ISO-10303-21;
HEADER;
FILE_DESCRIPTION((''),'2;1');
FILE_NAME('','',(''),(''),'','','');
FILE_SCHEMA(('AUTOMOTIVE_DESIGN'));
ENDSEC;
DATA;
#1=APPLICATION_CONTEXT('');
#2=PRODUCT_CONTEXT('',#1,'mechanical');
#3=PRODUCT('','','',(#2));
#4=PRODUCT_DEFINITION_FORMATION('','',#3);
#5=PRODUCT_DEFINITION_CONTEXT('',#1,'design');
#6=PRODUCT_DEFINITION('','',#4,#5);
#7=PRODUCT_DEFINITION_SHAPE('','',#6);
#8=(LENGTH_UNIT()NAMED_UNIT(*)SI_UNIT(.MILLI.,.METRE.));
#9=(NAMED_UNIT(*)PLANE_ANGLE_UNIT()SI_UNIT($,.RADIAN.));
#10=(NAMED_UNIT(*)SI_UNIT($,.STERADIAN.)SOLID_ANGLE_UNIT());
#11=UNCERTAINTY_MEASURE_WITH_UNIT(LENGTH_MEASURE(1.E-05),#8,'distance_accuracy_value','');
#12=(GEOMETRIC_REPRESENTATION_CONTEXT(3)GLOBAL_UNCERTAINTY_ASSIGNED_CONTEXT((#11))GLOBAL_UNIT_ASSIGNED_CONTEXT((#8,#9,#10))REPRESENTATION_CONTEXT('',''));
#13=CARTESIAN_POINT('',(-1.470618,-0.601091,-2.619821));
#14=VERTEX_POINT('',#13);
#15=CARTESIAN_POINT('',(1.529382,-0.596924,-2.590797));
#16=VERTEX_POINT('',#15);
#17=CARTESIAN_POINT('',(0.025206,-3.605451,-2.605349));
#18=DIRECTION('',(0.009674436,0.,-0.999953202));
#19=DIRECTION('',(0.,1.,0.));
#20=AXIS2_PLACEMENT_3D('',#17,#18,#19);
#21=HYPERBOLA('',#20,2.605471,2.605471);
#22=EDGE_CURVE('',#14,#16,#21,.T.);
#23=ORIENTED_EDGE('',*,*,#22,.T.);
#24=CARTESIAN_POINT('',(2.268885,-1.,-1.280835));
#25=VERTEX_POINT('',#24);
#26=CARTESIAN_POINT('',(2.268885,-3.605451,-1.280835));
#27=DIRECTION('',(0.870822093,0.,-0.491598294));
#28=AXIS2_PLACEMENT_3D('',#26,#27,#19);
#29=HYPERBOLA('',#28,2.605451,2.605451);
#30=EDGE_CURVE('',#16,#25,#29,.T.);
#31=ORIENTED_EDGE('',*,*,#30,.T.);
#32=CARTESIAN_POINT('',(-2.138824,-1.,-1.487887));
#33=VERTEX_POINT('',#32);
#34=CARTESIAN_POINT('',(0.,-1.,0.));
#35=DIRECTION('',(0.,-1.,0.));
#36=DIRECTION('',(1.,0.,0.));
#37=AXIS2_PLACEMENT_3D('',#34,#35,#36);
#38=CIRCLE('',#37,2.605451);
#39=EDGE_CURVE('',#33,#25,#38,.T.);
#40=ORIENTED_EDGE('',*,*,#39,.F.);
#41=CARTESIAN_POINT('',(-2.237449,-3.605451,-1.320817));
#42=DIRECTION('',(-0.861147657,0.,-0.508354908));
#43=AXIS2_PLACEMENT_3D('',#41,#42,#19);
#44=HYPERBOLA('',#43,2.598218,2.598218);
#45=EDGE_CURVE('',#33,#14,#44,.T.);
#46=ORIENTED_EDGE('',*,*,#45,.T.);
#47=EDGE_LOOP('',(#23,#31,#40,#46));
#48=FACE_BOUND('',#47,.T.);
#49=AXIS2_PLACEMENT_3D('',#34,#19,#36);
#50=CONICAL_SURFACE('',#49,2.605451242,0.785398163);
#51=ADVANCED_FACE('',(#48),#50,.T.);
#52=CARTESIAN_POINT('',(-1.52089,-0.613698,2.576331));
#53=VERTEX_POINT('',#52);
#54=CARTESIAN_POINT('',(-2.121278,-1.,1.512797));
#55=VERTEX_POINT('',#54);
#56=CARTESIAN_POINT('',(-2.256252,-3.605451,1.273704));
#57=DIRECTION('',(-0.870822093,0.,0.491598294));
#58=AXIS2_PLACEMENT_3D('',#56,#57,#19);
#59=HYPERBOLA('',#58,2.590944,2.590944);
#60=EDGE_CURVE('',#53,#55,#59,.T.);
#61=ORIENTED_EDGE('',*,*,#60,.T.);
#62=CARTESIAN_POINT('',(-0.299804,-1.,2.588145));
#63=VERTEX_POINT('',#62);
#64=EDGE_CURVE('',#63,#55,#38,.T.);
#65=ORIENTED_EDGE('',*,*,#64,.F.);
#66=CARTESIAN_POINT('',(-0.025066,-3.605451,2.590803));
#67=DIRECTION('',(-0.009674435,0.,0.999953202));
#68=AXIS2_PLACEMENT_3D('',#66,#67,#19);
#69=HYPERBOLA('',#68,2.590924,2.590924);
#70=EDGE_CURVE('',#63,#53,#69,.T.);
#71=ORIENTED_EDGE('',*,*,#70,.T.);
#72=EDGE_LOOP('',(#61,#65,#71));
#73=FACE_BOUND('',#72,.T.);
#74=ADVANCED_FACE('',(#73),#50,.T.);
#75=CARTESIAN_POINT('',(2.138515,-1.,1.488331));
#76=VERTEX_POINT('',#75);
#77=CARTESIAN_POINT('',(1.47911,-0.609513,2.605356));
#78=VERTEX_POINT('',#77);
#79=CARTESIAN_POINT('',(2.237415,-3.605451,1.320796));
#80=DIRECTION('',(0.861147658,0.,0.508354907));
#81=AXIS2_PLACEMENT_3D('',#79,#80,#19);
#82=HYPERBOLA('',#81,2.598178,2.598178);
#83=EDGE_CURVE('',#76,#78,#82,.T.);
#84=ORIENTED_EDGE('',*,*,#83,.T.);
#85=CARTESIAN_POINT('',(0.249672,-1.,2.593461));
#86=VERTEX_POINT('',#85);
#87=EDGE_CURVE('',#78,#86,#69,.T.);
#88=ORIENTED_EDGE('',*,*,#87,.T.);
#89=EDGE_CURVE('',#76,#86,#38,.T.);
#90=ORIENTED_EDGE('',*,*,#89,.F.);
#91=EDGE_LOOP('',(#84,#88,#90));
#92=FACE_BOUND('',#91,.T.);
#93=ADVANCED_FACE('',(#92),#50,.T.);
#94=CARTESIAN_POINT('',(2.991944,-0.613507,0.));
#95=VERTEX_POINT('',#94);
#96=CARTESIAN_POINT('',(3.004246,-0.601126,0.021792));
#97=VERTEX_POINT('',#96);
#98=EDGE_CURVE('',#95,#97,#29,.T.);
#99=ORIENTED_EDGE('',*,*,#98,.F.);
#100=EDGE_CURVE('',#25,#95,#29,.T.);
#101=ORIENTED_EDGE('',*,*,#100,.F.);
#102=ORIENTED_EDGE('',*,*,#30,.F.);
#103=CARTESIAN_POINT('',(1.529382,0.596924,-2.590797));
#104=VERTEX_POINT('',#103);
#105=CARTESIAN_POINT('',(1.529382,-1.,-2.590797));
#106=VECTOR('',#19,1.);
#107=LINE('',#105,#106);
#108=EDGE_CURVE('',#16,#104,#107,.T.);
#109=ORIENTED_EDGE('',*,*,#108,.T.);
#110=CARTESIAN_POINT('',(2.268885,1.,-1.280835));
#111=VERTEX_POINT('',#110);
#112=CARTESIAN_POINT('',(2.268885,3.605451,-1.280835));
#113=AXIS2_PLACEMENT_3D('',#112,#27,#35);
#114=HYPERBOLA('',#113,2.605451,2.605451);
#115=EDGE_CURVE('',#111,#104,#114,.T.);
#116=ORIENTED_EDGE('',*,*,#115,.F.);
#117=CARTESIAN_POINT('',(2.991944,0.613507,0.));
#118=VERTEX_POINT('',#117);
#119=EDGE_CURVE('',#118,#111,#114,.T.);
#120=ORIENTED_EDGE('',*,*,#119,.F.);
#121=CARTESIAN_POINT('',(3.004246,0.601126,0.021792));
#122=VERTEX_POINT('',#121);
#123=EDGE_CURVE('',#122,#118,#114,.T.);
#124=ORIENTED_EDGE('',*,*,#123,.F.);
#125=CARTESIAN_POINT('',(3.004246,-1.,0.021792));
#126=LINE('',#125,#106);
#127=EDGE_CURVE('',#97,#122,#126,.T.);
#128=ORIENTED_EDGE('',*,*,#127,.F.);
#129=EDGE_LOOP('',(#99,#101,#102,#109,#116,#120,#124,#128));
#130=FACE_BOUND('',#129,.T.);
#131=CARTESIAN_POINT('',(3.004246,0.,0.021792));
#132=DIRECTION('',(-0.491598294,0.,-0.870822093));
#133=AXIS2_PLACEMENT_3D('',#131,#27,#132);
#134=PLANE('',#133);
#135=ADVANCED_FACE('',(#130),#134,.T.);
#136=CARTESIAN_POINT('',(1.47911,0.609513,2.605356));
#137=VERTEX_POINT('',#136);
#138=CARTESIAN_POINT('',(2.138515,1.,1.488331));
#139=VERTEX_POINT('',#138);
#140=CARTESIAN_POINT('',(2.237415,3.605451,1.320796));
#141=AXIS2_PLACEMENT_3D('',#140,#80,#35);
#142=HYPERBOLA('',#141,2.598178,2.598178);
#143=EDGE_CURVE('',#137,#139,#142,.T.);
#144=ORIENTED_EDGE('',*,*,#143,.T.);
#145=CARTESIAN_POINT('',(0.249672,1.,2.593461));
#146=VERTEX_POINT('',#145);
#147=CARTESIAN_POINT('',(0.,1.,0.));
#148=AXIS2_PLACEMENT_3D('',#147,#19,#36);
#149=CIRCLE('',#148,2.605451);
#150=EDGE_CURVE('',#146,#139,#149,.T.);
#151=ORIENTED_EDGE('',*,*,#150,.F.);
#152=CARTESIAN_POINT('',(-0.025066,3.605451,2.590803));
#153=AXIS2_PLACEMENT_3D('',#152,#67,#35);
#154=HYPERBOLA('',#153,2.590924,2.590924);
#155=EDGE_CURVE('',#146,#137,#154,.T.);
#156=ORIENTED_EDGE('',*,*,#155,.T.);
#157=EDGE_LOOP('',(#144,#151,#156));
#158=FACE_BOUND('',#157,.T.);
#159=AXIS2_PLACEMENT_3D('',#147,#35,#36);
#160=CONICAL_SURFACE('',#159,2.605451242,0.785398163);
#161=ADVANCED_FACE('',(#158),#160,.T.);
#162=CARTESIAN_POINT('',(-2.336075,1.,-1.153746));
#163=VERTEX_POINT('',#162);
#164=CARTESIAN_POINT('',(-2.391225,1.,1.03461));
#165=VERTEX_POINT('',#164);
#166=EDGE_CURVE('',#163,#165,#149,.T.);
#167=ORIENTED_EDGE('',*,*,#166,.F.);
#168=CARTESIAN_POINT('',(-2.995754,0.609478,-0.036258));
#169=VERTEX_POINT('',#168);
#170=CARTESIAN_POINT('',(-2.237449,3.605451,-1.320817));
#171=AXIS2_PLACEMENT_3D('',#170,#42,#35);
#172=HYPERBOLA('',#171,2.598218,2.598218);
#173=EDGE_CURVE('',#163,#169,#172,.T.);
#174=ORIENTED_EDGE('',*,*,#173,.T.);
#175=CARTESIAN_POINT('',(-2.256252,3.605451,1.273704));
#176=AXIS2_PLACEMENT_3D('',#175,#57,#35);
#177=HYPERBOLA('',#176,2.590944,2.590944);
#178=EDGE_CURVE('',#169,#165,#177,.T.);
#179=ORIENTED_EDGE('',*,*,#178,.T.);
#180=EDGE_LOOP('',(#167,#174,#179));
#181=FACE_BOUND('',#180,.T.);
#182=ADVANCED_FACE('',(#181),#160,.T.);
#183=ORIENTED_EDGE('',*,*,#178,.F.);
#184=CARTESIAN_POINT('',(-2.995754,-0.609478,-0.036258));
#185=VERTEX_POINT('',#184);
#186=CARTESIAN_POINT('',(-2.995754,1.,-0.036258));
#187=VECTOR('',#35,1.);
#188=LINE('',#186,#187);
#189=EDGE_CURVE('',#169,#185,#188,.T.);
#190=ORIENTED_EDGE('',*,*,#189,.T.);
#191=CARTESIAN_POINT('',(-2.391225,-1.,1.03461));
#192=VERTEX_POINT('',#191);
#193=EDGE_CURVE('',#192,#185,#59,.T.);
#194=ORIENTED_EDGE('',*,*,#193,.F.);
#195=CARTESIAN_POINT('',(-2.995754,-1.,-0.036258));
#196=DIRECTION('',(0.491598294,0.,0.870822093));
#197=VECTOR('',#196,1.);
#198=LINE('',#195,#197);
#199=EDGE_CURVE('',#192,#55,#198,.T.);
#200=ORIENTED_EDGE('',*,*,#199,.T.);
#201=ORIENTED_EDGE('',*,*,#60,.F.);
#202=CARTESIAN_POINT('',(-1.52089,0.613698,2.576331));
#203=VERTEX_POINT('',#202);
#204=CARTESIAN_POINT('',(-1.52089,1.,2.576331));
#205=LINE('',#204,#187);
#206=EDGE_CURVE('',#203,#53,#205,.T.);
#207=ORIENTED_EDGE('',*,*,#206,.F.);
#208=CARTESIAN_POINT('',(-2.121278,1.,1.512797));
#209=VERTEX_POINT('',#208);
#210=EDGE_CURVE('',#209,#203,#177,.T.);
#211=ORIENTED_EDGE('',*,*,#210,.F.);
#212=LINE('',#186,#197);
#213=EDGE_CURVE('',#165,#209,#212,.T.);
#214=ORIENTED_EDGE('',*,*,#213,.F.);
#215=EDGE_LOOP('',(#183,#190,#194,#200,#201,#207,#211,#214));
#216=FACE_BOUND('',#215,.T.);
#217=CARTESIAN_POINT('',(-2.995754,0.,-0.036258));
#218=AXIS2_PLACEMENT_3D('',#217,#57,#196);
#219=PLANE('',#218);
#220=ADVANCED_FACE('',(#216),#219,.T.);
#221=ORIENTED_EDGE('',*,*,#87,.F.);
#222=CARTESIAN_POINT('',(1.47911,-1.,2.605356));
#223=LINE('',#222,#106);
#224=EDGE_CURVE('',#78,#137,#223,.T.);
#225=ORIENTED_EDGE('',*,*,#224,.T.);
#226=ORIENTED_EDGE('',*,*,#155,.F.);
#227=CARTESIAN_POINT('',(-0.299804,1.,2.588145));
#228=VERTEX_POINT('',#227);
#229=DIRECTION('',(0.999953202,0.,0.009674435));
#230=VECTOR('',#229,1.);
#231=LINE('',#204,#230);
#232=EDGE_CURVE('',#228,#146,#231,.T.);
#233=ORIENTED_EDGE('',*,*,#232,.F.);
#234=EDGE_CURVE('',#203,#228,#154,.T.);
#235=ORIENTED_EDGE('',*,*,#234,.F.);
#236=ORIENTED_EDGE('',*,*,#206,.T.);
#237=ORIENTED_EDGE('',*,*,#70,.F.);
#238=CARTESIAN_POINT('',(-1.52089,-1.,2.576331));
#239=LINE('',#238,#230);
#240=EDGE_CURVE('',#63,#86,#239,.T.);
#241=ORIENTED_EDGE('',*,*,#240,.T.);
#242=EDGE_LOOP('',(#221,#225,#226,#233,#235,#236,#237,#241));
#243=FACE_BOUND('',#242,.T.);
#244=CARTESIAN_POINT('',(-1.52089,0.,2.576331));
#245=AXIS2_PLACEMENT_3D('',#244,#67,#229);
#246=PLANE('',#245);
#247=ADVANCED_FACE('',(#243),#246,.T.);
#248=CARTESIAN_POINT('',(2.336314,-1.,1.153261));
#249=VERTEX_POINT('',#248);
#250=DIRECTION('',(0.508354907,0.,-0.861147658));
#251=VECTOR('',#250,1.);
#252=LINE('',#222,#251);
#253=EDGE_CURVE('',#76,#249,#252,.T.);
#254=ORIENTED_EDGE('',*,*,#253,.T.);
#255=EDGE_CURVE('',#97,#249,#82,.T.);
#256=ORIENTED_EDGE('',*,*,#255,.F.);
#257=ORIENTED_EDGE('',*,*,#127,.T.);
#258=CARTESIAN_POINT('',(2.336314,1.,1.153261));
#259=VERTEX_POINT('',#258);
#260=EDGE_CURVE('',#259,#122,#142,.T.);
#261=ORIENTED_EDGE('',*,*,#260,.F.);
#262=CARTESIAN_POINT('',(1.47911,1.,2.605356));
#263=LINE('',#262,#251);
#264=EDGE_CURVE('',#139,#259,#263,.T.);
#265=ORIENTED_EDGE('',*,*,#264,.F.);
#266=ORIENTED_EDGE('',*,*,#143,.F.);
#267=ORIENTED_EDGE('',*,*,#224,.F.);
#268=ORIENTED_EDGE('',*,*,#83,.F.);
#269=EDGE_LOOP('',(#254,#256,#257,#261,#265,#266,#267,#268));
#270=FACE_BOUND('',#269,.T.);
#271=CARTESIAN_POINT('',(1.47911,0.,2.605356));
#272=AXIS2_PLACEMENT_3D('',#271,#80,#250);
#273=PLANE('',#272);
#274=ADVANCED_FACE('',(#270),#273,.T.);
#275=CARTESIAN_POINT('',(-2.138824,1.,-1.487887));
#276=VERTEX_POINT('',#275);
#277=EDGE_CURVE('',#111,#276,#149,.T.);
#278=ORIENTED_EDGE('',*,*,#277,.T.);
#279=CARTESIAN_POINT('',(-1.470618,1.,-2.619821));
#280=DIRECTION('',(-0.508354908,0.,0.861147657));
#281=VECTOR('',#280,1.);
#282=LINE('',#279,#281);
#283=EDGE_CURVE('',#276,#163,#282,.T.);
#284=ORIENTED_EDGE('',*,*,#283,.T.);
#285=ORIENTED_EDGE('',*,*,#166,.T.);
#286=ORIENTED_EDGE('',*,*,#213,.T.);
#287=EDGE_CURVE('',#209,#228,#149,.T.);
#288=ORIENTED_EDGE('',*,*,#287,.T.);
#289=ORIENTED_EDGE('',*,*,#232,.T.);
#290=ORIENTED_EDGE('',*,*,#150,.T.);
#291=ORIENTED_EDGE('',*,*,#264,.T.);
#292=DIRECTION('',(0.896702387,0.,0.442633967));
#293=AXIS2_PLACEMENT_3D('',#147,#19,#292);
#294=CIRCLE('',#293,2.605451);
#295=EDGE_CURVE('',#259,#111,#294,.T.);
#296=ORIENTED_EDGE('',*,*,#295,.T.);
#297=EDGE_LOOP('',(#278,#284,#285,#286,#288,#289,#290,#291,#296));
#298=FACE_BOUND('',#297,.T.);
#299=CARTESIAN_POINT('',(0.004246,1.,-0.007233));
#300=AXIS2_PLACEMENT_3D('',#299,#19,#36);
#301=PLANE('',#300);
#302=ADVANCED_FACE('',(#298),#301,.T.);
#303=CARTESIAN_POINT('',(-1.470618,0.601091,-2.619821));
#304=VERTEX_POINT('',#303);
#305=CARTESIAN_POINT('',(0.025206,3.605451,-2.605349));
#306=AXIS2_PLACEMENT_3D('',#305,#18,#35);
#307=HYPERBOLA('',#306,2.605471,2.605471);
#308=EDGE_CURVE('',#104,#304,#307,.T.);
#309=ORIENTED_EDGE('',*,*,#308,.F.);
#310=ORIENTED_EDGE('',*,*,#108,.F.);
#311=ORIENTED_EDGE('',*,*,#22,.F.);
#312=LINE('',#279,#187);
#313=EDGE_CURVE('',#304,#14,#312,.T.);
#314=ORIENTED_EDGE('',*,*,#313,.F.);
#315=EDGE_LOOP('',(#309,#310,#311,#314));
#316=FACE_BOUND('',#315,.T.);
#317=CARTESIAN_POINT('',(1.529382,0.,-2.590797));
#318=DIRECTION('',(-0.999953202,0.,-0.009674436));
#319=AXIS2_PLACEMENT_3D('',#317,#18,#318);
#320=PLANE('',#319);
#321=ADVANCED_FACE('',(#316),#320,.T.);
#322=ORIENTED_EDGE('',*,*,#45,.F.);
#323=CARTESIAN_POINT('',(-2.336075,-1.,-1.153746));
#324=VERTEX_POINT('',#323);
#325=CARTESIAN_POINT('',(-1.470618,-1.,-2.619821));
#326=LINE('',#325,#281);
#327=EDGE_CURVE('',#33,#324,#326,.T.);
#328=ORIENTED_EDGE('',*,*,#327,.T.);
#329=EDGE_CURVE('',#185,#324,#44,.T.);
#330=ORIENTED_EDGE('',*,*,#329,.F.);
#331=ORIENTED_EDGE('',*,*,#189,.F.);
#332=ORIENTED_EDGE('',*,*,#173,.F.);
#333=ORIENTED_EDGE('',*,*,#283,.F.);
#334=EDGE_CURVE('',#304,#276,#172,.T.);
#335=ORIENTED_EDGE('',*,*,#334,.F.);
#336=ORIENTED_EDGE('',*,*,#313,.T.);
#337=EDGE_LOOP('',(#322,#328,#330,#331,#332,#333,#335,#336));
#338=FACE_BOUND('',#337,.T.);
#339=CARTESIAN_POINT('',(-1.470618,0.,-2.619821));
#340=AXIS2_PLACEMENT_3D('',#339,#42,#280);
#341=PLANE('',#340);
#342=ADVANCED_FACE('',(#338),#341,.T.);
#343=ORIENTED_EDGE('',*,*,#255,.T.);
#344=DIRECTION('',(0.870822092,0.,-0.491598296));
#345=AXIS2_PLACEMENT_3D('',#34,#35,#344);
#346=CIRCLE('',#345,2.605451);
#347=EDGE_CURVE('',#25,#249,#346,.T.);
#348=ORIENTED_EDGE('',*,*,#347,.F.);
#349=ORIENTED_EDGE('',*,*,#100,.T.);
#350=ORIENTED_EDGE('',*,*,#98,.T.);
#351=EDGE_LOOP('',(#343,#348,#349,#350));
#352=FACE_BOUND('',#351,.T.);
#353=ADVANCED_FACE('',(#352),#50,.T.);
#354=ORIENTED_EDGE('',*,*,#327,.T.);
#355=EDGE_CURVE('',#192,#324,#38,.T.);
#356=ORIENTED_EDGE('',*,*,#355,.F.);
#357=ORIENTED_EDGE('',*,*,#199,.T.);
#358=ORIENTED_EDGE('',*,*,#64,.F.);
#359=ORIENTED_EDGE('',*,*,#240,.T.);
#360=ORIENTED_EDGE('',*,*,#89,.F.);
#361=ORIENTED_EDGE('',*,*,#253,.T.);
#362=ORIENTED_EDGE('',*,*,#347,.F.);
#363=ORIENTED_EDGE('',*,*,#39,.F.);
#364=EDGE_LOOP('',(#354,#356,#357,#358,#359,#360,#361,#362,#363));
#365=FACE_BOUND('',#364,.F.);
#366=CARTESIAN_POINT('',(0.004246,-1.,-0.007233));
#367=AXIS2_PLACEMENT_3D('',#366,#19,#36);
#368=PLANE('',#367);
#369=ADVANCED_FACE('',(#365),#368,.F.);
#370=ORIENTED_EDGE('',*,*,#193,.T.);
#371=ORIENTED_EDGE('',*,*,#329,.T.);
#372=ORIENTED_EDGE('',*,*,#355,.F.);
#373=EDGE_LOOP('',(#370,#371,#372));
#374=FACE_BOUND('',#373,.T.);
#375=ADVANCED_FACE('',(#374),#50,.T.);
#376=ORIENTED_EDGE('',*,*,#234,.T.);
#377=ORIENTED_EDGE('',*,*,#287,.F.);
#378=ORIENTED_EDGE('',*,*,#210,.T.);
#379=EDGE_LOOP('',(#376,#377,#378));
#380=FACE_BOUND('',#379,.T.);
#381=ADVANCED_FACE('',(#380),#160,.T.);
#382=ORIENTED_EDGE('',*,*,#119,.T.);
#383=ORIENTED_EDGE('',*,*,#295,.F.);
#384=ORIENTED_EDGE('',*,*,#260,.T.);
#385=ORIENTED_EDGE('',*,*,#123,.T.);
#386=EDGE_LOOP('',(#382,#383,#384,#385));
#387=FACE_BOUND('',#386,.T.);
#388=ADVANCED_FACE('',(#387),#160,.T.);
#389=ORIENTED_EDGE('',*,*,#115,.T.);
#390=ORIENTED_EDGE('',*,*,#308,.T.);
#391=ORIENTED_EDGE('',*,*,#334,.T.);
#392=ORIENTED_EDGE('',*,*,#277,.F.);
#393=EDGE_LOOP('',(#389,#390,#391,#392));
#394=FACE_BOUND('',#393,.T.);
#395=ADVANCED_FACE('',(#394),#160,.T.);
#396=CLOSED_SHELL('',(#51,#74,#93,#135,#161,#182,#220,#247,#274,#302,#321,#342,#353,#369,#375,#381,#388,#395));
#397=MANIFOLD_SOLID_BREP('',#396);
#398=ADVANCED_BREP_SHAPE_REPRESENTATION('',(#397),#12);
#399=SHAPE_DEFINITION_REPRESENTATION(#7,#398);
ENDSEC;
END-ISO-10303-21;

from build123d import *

# Parameters (mm, degrees)
EXTRUDE_1_DEPTH          = 1
SKETCH_2_OUTSIDE_W       = 20.56
SKETCH_2_OUTSIDE_H       = 19.785
SKETCH_2_OUTSIDE_R       = 2.605451242
CUT_EXTRUDE_1_DEPTH      = 5.459704035
CUT_EXTRUDE_1_DRAFT      = -45
MIRROR_1_COPY_1_SKETCH_W = 20.56
MIRROR_1_COPY_1_SKETCH_H = 19.785
MIRROR_1_COPY_1_SKETCH_R = 2.605451242
MIRROR_1_COPY_1_DEPTH    = 5.459704035
MIRROR_1_COPY_1_DRAFT    = -45


with BuildPart() as part:
    # 草图1 → 凸台-拉伸1 (new, symmetric)
    with BuildSketch(Plane(origin=(0, 0, 0), x_dir=(1, 0, 0), z_dir=(0, 1, 0))):
        Polygon((-1.520889796, -2.576331008), (1.479110204, -2.605355672), (3.0042463, -0.021791793), (1.529382397, 2.59079675), (-1.470617603, 2.619821415), (-2.9957537, 0.036257535), align=None)
    extrude(amount=EXTRUDE_1_DEPTH, both=True)


with BuildPart() as cut_extrude_1_tool:
    # 草图2 outside → 切除-拉伸1 (with draft: the straight prism first)
    with BuildSketch(Plane(origin=(0, 1, 0), x_dir=(1, 0, 0), z_dir=(0, 1, 0))):
        with Locations((0.004, 0.0075)):
            Rectangle(SKETCH_2_OUTSIDE_W, SKETCH_2_OUTSIDE_H)
        Circle(SKETCH_2_OUTSIDE_R, mode=Mode.SUBTRACT)
    extrude(amount=-CUT_EXTRUDE_1_DEPTH)
    # 切除-拉伸1: the draft: its side faces are tilted about the plane it starts from
    cut_extrude_1_sides = [cut_extrude_1_tool.faces().sort_by_distance(p)[0] for p in [
        (0.004, -1.729852017, 9.885),
        (10.284, -1.729852017, -0.0075),
        (0.004, -1.729852017, -9.9),
        (-10.276, -1.729852017, -0.0075),
        (-2.605451242, -1.729852017, 0),
    ]]
    draft(cut_extrude_1_sides, Plane(origin=(0, 1, 0), x_dir=(1, 0, 0), z_dir=(0, 1, 0)), CUT_EXTRUDE_1_DRAFT)


with BuildPart() as part_1:
    add(part.part)

    # 切除-拉伸1: cut by cut_extrude_1_tool
    add(cut_extrude_1_tool.part, mode=Mode.SUBTRACT)


with BuildPart() as mirror_1_copy_1_tool:
    # 镜向1 copy 1 sketch → 镜向1 copy 1 (with draft: the straight prism first)
    with BuildSketch(Plane.XZ.offset(1)):
        with Locations((0.004, -0.0075)):
            Rectangle(MIRROR_1_COPY_1_SKETCH_W, MIRROR_1_COPY_1_SKETCH_H)
        Circle(MIRROR_1_COPY_1_SKETCH_R, mode=Mode.SUBTRACT)
    extrude(amount=-MIRROR_1_COPY_1_DEPTH)
    # 镜向1 copy 1: the draft: its side faces are tilted about the plane it starts from
    mirror_1_copy_1_sides = [mirror_1_copy_1_tool.faces().sort_by_distance(p)[0] for p in [
        (0.004, 1.729852017, 9.885),
        (10.284, 1.729852017, -0.0075),
        (0.004, 1.729852017, -9.9),
        (-10.276, 1.729852017, -0.0075),
        (-2.605451242, 1.729852017, 0),
    ]]
    draft(mirror_1_copy_1_sides, Plane.XZ.offset(1), MIRROR_1_COPY_1_DRAFT)


with BuildPart() as part_2:
    add(part_1.part)

    # 镜向1 copy 1: cut by mirror_1_copy_1_tool
    add(mirror_1_copy_1_tool.part, mode=Mode.SUBTRACT)


solid = part_2.part
